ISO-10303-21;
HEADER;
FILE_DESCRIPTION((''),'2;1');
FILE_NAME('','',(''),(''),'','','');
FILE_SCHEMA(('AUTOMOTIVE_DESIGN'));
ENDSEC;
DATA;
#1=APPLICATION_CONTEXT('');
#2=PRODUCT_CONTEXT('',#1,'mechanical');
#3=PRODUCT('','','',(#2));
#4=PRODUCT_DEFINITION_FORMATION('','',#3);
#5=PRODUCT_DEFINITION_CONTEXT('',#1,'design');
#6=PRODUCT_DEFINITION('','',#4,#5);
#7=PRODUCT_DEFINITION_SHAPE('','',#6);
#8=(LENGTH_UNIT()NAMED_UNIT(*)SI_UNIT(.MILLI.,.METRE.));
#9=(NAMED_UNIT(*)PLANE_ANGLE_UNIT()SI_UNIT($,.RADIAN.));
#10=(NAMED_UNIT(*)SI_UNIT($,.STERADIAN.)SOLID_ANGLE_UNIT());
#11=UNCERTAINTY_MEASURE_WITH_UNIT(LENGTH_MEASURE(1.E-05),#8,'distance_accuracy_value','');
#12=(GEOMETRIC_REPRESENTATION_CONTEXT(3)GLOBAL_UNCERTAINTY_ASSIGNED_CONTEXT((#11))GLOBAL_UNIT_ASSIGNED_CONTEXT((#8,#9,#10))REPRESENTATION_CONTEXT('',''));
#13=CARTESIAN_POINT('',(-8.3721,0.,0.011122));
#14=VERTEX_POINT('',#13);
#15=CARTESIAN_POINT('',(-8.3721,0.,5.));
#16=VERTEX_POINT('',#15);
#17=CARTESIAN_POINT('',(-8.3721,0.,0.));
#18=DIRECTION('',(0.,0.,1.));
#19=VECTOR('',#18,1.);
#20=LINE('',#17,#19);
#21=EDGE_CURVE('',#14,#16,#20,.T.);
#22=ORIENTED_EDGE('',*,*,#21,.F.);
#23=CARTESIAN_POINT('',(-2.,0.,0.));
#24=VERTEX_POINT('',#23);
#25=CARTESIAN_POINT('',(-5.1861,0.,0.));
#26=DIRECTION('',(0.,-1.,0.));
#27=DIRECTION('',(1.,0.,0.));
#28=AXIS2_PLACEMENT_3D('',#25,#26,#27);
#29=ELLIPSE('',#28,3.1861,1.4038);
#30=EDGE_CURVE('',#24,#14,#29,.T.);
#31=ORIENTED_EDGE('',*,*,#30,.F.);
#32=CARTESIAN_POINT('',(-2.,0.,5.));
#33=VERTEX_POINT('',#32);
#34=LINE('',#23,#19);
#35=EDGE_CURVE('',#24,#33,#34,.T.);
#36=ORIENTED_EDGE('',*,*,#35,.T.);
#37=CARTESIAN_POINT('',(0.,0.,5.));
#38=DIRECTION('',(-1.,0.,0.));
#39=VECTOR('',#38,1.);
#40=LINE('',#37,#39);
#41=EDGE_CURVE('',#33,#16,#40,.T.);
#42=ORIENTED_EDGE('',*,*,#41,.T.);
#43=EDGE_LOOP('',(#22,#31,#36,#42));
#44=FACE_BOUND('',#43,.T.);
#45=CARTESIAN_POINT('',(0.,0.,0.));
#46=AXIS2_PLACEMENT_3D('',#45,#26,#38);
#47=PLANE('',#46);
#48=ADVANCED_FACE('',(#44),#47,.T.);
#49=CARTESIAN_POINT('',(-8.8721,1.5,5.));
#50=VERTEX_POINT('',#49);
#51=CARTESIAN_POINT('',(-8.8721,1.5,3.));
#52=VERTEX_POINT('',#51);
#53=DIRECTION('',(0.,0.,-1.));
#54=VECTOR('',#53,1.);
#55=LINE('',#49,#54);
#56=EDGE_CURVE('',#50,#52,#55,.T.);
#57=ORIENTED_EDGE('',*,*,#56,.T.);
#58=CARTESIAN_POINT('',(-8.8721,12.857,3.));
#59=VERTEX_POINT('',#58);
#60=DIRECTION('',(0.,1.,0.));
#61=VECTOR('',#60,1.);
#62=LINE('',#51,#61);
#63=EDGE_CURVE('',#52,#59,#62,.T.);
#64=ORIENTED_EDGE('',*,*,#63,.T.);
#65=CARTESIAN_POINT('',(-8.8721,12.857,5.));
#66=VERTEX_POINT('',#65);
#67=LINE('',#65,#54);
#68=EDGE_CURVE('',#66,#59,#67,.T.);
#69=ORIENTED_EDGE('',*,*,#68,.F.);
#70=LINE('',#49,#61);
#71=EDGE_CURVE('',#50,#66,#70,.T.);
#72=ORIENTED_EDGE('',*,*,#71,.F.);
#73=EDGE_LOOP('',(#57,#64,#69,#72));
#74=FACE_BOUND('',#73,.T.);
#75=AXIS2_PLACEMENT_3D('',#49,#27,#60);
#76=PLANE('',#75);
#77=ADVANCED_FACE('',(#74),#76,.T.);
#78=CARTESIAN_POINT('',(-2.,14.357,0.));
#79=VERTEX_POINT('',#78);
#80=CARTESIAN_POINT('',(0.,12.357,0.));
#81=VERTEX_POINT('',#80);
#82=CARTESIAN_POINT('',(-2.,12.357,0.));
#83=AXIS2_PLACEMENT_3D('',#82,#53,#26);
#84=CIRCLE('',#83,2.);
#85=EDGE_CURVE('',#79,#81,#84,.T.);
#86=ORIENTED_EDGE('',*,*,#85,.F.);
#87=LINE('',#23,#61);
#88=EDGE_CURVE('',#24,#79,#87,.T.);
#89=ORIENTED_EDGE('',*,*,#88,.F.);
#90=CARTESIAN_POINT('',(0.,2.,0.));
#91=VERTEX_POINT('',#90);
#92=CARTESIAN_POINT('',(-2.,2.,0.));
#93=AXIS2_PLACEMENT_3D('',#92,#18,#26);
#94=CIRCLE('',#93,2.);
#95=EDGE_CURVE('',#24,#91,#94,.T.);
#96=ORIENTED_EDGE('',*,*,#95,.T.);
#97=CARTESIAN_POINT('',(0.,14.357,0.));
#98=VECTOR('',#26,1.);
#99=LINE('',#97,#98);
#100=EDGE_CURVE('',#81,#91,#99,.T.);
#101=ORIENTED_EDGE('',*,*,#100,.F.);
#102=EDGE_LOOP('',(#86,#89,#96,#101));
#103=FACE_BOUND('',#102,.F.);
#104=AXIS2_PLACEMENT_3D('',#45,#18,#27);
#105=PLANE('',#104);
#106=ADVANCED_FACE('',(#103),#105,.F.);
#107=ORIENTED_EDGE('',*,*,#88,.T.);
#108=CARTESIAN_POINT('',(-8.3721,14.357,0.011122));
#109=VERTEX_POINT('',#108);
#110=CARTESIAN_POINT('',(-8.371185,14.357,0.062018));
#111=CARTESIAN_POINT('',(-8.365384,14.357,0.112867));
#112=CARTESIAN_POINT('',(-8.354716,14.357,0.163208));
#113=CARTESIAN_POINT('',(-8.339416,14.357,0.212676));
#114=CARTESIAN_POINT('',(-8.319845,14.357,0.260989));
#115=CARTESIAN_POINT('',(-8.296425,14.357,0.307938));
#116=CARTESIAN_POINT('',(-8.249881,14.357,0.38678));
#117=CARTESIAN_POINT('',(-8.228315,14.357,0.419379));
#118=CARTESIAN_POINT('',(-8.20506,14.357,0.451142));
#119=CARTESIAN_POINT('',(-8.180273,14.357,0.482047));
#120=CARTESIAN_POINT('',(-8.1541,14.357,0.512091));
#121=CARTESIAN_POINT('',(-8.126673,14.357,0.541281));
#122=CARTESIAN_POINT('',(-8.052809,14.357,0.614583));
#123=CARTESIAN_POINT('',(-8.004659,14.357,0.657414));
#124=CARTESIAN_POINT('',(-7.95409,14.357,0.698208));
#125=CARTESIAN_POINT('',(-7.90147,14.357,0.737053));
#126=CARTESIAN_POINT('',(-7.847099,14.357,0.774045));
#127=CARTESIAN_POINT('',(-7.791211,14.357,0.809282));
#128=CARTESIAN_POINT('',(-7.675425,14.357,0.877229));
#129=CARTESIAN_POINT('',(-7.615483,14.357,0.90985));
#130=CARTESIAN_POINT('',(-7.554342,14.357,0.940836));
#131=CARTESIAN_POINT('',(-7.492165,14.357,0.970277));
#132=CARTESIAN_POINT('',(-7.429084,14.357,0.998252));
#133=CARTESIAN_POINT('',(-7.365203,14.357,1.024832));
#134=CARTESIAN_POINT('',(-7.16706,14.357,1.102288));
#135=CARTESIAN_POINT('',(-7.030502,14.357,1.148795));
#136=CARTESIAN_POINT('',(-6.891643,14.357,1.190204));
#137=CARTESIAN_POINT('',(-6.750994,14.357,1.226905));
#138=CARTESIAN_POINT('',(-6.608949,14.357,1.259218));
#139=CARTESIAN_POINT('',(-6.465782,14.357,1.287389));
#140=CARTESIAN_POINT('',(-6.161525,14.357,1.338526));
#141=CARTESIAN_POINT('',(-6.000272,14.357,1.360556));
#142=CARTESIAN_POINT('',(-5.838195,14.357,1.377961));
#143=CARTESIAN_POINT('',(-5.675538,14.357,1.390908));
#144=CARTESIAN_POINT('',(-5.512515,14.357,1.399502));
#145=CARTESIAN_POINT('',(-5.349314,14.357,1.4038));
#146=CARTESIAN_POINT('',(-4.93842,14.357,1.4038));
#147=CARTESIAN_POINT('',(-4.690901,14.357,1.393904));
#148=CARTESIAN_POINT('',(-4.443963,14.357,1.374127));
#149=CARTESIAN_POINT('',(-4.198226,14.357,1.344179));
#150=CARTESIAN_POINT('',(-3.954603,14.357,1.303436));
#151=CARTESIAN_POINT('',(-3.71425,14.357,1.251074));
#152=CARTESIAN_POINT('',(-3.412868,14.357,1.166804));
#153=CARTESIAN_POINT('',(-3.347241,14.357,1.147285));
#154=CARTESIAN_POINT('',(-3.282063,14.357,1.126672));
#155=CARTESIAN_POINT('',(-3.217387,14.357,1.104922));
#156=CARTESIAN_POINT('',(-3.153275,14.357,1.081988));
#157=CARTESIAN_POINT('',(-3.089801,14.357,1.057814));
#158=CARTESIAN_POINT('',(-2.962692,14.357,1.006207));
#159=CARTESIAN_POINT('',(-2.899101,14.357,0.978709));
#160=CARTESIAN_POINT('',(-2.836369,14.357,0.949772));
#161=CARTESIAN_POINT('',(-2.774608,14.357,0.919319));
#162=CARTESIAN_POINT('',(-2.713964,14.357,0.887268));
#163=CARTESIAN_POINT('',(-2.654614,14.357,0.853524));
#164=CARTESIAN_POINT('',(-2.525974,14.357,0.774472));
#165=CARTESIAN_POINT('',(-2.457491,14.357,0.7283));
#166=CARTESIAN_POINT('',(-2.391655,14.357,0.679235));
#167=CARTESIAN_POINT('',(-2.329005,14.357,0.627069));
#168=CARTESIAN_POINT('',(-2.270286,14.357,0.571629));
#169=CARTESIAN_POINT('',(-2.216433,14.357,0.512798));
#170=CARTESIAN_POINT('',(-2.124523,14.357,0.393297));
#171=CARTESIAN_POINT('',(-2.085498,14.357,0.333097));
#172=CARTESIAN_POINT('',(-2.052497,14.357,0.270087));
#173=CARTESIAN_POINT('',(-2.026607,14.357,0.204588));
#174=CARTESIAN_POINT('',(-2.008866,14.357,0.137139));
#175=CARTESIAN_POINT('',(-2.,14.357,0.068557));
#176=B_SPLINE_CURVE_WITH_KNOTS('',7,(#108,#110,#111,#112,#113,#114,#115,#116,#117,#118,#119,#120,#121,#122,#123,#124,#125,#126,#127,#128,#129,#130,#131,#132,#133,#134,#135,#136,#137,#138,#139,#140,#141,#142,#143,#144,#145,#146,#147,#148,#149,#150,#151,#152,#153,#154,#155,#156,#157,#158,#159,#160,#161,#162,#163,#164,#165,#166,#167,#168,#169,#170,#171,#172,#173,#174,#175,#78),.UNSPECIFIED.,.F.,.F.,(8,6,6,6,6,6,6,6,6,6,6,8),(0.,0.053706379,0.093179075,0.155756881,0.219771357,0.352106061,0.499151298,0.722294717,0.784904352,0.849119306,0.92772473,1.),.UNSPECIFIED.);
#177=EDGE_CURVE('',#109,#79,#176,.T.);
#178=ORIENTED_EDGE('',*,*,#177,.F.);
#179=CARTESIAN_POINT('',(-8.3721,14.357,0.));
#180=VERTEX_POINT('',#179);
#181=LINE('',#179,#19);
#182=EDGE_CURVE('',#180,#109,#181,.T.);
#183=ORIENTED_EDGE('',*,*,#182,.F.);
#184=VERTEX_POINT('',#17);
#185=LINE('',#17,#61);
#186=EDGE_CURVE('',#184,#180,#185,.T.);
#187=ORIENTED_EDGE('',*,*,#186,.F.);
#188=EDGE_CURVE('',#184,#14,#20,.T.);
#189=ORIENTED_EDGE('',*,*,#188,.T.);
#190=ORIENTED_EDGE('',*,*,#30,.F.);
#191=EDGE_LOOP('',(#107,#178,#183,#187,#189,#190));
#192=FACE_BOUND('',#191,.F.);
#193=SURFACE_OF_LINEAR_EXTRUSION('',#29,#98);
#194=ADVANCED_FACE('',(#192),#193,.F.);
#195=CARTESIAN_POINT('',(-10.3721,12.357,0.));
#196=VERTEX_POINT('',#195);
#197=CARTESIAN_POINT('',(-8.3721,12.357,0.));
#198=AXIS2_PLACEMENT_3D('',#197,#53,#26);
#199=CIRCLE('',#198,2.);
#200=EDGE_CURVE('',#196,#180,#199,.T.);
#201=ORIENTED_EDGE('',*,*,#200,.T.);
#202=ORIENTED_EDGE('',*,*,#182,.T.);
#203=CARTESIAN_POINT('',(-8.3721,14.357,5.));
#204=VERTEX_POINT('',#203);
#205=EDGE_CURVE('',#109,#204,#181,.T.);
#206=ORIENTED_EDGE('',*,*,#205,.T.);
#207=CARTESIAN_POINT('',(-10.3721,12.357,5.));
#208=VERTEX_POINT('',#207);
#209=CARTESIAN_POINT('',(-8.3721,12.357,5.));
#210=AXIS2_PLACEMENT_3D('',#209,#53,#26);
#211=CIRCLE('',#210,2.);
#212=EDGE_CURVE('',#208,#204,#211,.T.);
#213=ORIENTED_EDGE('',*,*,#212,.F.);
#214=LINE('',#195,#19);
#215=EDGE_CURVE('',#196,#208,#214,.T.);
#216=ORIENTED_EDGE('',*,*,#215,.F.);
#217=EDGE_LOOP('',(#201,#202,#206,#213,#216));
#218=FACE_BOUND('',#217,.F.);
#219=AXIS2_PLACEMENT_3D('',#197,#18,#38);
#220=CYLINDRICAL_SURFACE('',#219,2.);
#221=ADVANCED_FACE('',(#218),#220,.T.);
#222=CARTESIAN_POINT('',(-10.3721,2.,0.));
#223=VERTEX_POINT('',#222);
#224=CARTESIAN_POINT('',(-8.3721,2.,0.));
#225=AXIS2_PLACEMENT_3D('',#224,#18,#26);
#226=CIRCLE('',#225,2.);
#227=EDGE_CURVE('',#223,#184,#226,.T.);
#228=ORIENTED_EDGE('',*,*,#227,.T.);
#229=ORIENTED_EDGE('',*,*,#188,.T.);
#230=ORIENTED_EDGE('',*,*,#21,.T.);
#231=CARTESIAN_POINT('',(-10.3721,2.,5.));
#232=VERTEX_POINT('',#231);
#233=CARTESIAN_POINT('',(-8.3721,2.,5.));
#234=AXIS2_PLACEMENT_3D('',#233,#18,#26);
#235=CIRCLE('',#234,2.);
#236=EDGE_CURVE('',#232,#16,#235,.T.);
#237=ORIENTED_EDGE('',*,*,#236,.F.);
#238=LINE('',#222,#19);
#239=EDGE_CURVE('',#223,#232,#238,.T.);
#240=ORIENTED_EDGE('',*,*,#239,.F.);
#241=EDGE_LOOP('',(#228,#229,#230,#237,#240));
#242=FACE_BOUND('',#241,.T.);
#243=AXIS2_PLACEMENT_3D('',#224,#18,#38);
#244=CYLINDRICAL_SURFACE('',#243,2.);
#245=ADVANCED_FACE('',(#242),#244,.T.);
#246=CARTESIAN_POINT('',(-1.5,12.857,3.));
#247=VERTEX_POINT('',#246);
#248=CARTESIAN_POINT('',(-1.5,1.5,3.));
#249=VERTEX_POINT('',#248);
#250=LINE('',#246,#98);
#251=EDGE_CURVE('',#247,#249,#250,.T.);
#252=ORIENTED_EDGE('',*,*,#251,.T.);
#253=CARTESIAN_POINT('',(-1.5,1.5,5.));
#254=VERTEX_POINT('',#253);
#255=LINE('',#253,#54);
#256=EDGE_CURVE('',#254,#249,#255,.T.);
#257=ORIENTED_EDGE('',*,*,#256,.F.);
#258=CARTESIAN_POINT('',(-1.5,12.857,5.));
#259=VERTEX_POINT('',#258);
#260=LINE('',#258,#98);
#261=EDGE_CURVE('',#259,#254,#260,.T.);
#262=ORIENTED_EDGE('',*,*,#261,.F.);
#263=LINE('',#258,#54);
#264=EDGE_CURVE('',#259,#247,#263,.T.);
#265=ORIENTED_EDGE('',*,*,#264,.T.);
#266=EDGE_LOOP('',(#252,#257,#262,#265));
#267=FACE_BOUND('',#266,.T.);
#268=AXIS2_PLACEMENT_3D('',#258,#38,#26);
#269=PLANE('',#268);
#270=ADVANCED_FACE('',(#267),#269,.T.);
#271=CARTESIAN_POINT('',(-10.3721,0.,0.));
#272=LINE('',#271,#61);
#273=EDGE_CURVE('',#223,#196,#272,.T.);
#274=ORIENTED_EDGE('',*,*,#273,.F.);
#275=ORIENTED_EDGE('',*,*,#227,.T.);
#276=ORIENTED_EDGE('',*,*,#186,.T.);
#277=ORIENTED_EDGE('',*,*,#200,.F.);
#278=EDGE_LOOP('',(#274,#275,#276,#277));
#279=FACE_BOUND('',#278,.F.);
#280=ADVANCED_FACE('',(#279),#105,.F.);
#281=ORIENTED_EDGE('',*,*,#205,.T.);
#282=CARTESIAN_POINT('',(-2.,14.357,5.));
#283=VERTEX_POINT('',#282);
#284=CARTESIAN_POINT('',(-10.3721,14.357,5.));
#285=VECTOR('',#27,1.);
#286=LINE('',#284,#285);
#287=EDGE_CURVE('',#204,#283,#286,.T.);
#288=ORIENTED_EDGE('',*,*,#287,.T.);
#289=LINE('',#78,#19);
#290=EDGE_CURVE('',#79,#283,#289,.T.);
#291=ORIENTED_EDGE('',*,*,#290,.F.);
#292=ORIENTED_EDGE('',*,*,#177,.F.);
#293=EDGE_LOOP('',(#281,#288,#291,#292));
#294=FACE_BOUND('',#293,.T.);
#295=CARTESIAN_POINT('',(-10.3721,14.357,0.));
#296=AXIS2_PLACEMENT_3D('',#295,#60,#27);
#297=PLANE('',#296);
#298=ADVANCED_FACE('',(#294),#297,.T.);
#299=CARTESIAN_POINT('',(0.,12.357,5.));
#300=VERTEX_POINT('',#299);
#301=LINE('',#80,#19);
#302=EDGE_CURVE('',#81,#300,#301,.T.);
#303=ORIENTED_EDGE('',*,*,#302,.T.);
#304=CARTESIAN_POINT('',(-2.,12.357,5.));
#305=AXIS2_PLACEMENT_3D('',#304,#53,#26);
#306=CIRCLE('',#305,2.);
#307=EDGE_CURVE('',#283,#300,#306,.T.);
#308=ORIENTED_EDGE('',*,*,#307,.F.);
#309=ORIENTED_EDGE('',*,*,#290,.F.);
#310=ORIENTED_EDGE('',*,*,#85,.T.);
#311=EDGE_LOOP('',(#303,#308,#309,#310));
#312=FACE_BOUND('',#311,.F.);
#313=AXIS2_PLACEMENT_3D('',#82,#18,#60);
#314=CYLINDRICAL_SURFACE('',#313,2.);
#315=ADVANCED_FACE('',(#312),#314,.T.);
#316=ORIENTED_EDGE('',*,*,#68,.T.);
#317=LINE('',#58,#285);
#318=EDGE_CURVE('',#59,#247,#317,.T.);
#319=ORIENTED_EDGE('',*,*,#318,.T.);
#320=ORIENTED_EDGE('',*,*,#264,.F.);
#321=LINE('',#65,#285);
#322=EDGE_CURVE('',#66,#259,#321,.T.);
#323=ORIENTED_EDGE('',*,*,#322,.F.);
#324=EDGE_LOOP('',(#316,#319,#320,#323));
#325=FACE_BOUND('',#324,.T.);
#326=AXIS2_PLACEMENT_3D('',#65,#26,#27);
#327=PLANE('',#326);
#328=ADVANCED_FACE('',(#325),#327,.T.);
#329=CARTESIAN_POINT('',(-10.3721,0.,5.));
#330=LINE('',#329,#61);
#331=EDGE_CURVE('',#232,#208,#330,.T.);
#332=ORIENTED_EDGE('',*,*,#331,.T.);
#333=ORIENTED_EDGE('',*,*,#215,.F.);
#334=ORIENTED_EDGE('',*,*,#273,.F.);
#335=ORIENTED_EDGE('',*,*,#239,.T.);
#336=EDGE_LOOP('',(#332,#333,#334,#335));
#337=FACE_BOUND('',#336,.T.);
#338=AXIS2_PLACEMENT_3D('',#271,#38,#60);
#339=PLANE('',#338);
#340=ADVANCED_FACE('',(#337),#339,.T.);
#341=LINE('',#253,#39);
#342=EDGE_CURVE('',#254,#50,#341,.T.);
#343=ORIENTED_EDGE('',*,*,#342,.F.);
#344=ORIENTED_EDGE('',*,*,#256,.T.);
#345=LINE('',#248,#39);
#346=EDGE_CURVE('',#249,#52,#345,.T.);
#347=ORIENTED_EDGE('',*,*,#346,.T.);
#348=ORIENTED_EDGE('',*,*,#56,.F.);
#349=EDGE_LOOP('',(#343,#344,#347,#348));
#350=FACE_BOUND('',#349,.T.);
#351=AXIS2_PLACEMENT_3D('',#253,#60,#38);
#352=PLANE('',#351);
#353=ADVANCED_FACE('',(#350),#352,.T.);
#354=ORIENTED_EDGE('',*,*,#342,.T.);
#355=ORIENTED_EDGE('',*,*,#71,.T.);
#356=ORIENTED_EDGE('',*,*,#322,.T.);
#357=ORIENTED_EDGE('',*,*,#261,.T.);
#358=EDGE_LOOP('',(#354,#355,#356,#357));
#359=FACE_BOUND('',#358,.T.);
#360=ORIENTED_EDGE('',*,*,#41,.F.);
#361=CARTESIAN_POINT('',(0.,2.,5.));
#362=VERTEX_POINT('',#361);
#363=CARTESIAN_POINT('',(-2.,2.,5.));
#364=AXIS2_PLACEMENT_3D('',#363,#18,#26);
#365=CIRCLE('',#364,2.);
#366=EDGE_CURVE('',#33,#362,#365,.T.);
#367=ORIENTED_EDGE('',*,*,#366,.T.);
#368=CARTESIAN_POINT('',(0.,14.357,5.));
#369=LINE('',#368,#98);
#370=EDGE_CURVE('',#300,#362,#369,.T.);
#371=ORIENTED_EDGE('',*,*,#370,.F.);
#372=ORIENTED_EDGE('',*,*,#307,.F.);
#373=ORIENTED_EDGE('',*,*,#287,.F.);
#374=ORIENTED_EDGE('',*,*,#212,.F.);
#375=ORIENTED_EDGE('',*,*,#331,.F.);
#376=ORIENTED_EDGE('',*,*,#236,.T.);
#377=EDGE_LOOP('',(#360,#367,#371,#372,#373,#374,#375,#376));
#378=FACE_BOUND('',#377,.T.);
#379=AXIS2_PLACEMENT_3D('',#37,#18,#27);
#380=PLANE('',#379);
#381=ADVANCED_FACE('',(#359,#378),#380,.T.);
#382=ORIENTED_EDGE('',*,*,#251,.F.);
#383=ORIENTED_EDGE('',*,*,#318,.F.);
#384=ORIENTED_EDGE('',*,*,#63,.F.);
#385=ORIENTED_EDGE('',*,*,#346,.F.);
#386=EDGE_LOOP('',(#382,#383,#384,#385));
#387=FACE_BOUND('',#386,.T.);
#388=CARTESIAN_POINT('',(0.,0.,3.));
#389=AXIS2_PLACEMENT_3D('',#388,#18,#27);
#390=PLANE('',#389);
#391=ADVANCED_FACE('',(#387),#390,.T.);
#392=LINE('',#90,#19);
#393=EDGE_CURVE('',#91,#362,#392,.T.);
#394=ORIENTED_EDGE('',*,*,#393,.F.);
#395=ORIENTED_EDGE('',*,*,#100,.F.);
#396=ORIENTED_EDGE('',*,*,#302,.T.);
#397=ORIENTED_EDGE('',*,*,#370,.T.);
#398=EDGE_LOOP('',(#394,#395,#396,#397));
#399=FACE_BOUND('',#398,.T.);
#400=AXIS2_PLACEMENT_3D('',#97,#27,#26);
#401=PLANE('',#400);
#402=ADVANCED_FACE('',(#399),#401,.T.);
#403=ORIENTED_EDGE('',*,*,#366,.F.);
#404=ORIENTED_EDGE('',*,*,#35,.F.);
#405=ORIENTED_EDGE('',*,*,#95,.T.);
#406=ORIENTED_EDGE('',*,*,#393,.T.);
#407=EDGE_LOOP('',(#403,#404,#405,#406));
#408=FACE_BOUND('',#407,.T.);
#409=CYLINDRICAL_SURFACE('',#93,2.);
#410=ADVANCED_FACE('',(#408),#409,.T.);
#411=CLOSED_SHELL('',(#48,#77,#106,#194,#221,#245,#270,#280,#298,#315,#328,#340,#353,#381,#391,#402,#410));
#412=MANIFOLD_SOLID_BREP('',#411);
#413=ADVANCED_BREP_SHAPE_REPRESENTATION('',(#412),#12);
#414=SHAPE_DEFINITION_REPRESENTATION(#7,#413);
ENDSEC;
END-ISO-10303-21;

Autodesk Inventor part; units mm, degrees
ref_plane "YZ Plane" through (0, 0, 0) normal (1, 0, 0) x (0, 1, 0)
ref_plane "XZ Plane" through (0, 0, 0) normal (0, 1, 0) x (-1, 0, 0)
ref_plane "XY Plane" through (0, 0, 0) normal (0, 0, 1) x (1, 0, 0)
sketch "Sketch1" plane through (0, 0, 0) normal (0, 0, 1) x (1, 0, 0)
  line L0 (0, 0) -> (-10.3721, 0)
  line L1 (-10.3721, 0) -> (-10.3721, 14.357)
  line L2 (-10.3721, 14.357) -> (0, 14.357)
  line L3 (0, 14.357) -> (0, 0)
extrude "Extrusion1" add sketch "Sketch1" along normal blind 5
sketch "Sketch2" plane through (0, 0, 5) normal (0, 0, 1) x (1, 0, 0)
  line L0 (-8.8721, 12.857) -> (-1.5, 12.857)
  line L1 (-1.5, 12.857) -> (-1.5, 1.5)
  line L2 (-1.5, 1.5) -> (-8.8721, 1.5)
  line L3 (-8.8721, 1.5) -> (-8.8721, 12.857)
  line L4 (0, 14.357) -> (-10.3721, 14.357) projected
  line L5 (-10.3721, 0) -> (0, 0) projected
  line L6 (0, 0) -> (0, 14.357) projected
  line L7 (-10.3721, 14.357) -> (-10.3721, 0) projected
  dimension "d2" = 1.5
  dimension "d3" = 1.5
  dimension "d4" = 1.5
  dimension "d5" = 1.5
extrude "Extrusion2" cut sketch "Sketch2" against normal blind 2 contours L0 L1 L2 L3
sketch "Sketch3" plane through (0, 0, 3) normal (0, 0, 1) x (1, 0, 0)
  line L0 (-8.8721, 12.857) -> (-1.5, 12.857) projected
  line L1 (-8.8721, 1.5) -> (-8.8721, 12.857) projected
  line L2 (-1.5, 12.857) -> (-1.5, 1.5) projected
  line L3 (-1.5, 1.5) -> (-8.8721, 1.5) projected
  point P0 (0, 0)
fillet "Fillet1" radius 2 1 edges at (-10.3721, 14.357, 2.5)
fillet "Fillet2" radius 2 1 edges at (0, 14.357, 2.5)
fillet "Fillet3" radius 2 1 edges at (-10.3721, 0, 2.5)
fillet "Fillet4" radius 2 1 edges at (0, 0, 2.5)
sketch "Sketch4" plane through (-8.3721, 0, 0) normal (0, -1, 0) x (1, 0, 0)
  line L0 (6.3721, 0) -> (0, 0) projected
  ellipse E0 centre (3.186, 0) end of major axis (6.3721, 0) minor radius 1.4038
  point P0 (8.3721, 0)
extrude "Extrusion3" cut sketch "Sketch4" against normal blind 50
properties part number "bateria pat 1"
